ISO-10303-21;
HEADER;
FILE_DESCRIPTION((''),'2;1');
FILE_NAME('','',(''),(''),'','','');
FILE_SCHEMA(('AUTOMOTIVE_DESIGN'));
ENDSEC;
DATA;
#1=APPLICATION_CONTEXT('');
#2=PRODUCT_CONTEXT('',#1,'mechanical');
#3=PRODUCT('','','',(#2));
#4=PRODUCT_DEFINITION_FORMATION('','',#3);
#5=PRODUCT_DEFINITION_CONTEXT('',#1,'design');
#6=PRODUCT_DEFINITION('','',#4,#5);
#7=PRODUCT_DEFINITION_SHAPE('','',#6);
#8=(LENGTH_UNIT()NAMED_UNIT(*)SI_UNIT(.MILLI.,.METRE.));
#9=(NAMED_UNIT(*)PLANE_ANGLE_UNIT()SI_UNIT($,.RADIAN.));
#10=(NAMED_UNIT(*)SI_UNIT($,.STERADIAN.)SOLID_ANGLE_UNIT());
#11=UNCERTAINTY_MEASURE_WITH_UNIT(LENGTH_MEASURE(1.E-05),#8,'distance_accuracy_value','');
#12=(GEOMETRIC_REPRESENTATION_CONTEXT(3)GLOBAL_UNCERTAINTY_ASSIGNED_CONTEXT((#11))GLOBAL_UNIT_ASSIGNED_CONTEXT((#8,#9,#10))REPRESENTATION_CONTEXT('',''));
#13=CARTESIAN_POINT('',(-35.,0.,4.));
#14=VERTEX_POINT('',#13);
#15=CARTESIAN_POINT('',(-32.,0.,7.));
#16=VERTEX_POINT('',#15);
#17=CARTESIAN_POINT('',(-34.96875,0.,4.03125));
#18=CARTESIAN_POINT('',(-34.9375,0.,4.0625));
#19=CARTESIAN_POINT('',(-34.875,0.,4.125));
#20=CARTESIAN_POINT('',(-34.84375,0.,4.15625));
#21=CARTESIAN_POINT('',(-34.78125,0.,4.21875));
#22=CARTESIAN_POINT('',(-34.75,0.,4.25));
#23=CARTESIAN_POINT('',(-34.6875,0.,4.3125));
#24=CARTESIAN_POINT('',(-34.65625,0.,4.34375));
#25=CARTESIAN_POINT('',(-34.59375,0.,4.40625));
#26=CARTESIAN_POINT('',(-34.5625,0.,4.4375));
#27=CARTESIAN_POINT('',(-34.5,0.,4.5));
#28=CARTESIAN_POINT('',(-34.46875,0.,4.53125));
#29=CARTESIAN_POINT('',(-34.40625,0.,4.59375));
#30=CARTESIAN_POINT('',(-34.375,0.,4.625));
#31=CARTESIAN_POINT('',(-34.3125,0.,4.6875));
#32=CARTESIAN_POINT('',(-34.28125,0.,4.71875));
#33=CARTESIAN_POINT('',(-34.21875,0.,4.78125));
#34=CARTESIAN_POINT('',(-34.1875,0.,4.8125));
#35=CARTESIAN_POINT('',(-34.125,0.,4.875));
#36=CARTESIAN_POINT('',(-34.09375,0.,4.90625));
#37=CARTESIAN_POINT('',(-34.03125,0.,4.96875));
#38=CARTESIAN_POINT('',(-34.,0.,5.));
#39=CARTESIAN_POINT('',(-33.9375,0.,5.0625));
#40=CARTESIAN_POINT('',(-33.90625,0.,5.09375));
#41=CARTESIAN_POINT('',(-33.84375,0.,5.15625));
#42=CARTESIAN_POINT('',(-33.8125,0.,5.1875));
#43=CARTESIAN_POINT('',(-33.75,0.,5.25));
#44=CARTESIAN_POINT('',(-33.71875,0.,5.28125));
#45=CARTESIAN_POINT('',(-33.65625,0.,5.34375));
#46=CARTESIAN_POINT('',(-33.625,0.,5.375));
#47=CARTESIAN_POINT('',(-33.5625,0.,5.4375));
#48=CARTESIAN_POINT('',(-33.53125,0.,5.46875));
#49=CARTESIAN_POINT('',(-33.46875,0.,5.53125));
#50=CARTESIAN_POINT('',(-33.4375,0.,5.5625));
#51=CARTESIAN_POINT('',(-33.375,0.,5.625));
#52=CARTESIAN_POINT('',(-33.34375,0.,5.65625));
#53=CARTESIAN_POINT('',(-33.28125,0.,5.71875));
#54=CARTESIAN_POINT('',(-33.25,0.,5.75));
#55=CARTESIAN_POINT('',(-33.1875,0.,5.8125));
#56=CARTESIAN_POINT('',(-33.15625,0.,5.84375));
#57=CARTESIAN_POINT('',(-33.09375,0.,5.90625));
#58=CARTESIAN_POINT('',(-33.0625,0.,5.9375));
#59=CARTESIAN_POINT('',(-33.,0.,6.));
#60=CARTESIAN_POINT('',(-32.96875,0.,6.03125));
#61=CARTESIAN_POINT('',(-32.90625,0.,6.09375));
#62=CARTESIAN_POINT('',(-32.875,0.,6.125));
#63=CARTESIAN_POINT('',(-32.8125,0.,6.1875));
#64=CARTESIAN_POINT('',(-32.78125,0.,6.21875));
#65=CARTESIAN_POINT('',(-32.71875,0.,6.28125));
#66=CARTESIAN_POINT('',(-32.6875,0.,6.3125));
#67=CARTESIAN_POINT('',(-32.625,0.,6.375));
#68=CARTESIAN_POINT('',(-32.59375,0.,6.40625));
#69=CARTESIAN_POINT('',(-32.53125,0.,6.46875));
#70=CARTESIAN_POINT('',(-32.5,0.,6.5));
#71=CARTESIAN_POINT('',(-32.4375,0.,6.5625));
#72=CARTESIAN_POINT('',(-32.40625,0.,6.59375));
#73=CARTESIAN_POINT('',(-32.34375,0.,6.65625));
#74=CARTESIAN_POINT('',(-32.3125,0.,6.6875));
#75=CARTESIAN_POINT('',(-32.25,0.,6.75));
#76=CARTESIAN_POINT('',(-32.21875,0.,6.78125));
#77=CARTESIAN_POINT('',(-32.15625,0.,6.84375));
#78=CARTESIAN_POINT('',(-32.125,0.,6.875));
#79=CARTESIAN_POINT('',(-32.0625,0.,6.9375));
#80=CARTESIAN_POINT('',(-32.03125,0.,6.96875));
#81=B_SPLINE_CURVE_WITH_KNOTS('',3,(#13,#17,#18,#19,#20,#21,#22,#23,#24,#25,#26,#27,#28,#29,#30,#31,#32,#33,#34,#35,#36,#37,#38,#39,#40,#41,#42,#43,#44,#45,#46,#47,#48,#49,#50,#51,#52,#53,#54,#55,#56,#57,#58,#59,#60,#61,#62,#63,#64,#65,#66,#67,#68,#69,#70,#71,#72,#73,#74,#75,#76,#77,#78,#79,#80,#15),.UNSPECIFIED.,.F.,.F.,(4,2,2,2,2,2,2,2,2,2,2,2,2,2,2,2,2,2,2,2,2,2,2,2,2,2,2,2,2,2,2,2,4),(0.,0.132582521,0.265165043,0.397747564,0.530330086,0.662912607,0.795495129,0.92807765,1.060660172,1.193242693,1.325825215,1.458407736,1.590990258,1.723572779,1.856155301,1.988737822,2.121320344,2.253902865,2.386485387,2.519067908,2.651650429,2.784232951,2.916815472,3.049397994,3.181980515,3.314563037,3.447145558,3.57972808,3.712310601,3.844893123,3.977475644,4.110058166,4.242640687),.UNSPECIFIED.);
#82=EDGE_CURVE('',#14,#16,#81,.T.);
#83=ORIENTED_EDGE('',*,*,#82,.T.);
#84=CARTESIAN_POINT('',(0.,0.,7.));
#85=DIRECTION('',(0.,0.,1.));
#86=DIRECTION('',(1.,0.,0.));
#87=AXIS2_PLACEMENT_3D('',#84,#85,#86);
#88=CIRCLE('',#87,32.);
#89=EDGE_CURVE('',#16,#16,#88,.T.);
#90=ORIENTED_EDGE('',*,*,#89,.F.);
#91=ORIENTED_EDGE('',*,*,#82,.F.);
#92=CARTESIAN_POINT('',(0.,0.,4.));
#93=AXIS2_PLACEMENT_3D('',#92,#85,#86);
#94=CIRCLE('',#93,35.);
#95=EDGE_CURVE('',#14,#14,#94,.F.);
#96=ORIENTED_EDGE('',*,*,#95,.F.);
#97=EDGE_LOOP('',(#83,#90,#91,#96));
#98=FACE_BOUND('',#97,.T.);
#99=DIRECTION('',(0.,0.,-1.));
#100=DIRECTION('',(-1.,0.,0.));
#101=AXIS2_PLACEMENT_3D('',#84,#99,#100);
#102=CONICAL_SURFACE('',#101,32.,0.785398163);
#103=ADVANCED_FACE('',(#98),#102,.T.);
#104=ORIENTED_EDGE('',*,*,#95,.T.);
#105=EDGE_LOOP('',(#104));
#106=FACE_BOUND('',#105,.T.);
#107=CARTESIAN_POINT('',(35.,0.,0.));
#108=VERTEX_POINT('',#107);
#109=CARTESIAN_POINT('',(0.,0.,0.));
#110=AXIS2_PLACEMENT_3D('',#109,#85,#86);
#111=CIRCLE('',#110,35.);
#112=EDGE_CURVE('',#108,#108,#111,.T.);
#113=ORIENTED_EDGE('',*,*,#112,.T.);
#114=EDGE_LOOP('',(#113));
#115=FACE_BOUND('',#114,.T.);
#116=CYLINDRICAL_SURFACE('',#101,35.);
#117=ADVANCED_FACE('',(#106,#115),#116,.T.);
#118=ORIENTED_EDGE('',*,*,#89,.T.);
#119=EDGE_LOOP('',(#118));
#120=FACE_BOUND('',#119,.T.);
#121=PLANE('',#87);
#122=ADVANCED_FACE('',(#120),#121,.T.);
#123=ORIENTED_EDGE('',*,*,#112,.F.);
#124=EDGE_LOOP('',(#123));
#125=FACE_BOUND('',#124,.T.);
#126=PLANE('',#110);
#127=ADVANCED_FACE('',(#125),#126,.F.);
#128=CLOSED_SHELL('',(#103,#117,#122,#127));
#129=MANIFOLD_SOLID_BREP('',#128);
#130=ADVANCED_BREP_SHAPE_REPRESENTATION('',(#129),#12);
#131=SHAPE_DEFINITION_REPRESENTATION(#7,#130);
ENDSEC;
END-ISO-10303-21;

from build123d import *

# Parameters (mm, degrees)
SKETCH_1_R      = 35
EXTRUDE_1_DEPTH = 7
CHAMFER_1_SIZE  = 3


with BuildPart() as part:
    # 草图1 → 凸台-拉伸1 (new body)
    with BuildSketch(Plane.XY):
        Circle(SKETCH_1_R)
    extrude(amount=EXTRUDE_1_DEPTH)

    # 倒角1
    chamfer_1_edges = [part.edges().sort_by_distance(p)[0] for p in [
        (-35, 0, 7),
    ]]
    chamfer(chamfer_1_edges, length=CHAMFER_1_SIZE)


solid = part.part
